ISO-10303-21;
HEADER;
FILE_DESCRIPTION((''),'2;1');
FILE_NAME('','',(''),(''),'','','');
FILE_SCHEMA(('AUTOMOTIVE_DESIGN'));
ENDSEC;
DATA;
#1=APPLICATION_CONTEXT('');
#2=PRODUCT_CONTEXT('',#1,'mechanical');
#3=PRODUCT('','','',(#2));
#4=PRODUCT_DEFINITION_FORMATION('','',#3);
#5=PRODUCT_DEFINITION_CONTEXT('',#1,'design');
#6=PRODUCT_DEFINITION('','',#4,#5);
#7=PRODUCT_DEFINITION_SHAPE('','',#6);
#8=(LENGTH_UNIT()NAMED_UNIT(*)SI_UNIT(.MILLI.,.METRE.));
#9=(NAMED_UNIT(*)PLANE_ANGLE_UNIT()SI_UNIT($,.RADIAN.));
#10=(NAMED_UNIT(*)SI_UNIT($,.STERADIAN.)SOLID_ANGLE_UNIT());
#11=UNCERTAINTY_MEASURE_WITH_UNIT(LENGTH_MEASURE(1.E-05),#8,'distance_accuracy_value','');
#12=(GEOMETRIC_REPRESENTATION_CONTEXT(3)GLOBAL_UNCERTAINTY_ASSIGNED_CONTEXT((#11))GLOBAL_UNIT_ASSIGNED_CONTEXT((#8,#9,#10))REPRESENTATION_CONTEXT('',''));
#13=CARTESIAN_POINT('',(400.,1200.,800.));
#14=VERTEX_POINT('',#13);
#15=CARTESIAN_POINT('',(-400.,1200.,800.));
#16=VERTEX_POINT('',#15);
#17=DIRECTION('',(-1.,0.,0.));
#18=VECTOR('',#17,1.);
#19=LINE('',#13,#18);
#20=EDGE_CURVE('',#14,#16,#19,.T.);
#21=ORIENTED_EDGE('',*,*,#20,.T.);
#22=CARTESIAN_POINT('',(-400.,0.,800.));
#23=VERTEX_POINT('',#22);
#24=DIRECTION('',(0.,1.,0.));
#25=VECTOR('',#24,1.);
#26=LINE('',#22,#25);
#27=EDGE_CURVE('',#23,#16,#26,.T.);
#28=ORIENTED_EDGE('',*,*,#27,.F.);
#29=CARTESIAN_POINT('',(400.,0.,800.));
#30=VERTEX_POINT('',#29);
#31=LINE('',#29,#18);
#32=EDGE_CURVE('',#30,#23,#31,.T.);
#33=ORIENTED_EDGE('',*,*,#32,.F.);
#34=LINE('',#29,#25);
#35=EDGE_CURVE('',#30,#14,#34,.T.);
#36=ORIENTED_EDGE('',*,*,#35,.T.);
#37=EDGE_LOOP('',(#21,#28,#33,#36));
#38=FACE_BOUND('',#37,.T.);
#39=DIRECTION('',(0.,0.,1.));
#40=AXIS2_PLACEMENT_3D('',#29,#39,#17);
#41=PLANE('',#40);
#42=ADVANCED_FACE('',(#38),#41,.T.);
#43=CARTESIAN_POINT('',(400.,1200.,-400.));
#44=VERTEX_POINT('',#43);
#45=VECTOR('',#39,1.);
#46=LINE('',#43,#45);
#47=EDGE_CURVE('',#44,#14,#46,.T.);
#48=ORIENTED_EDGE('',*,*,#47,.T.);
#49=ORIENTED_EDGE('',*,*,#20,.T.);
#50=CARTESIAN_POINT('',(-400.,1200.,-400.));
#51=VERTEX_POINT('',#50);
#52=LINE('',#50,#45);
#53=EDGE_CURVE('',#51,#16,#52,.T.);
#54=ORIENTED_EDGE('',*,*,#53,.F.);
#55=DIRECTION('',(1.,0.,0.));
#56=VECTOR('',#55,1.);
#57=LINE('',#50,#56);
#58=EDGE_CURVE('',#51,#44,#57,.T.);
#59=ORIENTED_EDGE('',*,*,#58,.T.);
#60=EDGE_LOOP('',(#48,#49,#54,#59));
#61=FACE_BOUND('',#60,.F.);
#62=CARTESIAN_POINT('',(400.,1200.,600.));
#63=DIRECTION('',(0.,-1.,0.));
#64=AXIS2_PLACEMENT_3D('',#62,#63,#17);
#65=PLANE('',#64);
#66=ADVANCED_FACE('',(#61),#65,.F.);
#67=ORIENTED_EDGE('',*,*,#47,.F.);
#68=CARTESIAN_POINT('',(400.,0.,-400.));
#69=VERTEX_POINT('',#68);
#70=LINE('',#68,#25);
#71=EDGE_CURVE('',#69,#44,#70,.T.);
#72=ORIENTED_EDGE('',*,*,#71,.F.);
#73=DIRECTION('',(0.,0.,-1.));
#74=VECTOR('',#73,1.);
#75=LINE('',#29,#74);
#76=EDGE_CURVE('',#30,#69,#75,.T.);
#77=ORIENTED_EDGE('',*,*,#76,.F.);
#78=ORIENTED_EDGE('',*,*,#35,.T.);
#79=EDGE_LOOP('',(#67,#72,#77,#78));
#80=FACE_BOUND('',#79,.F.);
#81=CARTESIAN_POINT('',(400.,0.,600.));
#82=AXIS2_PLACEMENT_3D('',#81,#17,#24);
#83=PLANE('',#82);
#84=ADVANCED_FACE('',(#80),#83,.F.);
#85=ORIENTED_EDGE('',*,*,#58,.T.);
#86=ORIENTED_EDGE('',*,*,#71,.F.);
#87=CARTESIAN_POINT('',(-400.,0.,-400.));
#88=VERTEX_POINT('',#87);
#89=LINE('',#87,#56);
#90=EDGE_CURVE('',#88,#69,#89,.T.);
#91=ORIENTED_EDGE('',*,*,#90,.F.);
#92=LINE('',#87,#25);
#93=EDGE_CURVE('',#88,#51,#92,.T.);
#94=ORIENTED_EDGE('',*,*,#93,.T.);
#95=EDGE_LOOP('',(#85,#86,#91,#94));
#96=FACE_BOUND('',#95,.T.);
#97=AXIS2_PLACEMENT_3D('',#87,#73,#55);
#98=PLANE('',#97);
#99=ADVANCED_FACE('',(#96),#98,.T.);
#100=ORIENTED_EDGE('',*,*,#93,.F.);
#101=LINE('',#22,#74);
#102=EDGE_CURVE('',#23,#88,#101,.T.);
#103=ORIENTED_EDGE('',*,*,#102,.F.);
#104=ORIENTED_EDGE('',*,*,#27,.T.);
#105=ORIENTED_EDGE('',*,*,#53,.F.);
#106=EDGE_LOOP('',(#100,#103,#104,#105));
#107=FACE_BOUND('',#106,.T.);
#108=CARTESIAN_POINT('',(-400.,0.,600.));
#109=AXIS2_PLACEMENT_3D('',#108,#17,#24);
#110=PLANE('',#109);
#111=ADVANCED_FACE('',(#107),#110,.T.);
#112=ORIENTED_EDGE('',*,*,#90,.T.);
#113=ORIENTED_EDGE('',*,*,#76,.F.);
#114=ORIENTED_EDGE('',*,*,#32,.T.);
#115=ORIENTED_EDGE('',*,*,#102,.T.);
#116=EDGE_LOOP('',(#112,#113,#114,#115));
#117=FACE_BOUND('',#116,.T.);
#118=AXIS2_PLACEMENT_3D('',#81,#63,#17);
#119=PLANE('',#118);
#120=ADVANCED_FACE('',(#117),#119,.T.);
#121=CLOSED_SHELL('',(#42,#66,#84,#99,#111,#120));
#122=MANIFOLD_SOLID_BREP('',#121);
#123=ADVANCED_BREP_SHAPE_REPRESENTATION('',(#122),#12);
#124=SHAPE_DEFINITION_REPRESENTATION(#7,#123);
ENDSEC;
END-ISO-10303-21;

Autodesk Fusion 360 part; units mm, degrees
sketch "Esquisse1" plane through (0, 0, 0) normal (0, 1, 0) x (1, 0, 0)
  line L0 (-400, 400) -> (400, 400)
  line L1 (400, 400) -> (400, -400)
  line L2 (400, -400) -> (-400, -400)
  line L3 (-400, -400) -> (-400, 400)
  line L4 (-400, 400) -> (400, -400) construction
  line L5 (400, 400) -> (-400, -400) construction
  dimension "d1" = 800
  dimension "d2" = 800
extrude "Extrusion1" add sketch "Esquisse1" along normal blind 1200
extrude "Extrusion2" add 1 faces at (133.3333, 400, 400) along direction (0, 0, 1) blind 200
extrude "Extrusion3" add 1 faces at (133.3333, 400, 600) along direction (0, 0, 1) blind 200
sketch "Esquisse2" plane through (0, 1200, 0) normal (0, 1, 0) x (-1, 0, 0)
  line L0 (-400, 800) -> (-400, -400)
  line L1 (-400, -400) -> (400, -400)
  line L2 (400, -400) -> (400, 800)
  line L3 (400, 800) -> (-400, 800)
